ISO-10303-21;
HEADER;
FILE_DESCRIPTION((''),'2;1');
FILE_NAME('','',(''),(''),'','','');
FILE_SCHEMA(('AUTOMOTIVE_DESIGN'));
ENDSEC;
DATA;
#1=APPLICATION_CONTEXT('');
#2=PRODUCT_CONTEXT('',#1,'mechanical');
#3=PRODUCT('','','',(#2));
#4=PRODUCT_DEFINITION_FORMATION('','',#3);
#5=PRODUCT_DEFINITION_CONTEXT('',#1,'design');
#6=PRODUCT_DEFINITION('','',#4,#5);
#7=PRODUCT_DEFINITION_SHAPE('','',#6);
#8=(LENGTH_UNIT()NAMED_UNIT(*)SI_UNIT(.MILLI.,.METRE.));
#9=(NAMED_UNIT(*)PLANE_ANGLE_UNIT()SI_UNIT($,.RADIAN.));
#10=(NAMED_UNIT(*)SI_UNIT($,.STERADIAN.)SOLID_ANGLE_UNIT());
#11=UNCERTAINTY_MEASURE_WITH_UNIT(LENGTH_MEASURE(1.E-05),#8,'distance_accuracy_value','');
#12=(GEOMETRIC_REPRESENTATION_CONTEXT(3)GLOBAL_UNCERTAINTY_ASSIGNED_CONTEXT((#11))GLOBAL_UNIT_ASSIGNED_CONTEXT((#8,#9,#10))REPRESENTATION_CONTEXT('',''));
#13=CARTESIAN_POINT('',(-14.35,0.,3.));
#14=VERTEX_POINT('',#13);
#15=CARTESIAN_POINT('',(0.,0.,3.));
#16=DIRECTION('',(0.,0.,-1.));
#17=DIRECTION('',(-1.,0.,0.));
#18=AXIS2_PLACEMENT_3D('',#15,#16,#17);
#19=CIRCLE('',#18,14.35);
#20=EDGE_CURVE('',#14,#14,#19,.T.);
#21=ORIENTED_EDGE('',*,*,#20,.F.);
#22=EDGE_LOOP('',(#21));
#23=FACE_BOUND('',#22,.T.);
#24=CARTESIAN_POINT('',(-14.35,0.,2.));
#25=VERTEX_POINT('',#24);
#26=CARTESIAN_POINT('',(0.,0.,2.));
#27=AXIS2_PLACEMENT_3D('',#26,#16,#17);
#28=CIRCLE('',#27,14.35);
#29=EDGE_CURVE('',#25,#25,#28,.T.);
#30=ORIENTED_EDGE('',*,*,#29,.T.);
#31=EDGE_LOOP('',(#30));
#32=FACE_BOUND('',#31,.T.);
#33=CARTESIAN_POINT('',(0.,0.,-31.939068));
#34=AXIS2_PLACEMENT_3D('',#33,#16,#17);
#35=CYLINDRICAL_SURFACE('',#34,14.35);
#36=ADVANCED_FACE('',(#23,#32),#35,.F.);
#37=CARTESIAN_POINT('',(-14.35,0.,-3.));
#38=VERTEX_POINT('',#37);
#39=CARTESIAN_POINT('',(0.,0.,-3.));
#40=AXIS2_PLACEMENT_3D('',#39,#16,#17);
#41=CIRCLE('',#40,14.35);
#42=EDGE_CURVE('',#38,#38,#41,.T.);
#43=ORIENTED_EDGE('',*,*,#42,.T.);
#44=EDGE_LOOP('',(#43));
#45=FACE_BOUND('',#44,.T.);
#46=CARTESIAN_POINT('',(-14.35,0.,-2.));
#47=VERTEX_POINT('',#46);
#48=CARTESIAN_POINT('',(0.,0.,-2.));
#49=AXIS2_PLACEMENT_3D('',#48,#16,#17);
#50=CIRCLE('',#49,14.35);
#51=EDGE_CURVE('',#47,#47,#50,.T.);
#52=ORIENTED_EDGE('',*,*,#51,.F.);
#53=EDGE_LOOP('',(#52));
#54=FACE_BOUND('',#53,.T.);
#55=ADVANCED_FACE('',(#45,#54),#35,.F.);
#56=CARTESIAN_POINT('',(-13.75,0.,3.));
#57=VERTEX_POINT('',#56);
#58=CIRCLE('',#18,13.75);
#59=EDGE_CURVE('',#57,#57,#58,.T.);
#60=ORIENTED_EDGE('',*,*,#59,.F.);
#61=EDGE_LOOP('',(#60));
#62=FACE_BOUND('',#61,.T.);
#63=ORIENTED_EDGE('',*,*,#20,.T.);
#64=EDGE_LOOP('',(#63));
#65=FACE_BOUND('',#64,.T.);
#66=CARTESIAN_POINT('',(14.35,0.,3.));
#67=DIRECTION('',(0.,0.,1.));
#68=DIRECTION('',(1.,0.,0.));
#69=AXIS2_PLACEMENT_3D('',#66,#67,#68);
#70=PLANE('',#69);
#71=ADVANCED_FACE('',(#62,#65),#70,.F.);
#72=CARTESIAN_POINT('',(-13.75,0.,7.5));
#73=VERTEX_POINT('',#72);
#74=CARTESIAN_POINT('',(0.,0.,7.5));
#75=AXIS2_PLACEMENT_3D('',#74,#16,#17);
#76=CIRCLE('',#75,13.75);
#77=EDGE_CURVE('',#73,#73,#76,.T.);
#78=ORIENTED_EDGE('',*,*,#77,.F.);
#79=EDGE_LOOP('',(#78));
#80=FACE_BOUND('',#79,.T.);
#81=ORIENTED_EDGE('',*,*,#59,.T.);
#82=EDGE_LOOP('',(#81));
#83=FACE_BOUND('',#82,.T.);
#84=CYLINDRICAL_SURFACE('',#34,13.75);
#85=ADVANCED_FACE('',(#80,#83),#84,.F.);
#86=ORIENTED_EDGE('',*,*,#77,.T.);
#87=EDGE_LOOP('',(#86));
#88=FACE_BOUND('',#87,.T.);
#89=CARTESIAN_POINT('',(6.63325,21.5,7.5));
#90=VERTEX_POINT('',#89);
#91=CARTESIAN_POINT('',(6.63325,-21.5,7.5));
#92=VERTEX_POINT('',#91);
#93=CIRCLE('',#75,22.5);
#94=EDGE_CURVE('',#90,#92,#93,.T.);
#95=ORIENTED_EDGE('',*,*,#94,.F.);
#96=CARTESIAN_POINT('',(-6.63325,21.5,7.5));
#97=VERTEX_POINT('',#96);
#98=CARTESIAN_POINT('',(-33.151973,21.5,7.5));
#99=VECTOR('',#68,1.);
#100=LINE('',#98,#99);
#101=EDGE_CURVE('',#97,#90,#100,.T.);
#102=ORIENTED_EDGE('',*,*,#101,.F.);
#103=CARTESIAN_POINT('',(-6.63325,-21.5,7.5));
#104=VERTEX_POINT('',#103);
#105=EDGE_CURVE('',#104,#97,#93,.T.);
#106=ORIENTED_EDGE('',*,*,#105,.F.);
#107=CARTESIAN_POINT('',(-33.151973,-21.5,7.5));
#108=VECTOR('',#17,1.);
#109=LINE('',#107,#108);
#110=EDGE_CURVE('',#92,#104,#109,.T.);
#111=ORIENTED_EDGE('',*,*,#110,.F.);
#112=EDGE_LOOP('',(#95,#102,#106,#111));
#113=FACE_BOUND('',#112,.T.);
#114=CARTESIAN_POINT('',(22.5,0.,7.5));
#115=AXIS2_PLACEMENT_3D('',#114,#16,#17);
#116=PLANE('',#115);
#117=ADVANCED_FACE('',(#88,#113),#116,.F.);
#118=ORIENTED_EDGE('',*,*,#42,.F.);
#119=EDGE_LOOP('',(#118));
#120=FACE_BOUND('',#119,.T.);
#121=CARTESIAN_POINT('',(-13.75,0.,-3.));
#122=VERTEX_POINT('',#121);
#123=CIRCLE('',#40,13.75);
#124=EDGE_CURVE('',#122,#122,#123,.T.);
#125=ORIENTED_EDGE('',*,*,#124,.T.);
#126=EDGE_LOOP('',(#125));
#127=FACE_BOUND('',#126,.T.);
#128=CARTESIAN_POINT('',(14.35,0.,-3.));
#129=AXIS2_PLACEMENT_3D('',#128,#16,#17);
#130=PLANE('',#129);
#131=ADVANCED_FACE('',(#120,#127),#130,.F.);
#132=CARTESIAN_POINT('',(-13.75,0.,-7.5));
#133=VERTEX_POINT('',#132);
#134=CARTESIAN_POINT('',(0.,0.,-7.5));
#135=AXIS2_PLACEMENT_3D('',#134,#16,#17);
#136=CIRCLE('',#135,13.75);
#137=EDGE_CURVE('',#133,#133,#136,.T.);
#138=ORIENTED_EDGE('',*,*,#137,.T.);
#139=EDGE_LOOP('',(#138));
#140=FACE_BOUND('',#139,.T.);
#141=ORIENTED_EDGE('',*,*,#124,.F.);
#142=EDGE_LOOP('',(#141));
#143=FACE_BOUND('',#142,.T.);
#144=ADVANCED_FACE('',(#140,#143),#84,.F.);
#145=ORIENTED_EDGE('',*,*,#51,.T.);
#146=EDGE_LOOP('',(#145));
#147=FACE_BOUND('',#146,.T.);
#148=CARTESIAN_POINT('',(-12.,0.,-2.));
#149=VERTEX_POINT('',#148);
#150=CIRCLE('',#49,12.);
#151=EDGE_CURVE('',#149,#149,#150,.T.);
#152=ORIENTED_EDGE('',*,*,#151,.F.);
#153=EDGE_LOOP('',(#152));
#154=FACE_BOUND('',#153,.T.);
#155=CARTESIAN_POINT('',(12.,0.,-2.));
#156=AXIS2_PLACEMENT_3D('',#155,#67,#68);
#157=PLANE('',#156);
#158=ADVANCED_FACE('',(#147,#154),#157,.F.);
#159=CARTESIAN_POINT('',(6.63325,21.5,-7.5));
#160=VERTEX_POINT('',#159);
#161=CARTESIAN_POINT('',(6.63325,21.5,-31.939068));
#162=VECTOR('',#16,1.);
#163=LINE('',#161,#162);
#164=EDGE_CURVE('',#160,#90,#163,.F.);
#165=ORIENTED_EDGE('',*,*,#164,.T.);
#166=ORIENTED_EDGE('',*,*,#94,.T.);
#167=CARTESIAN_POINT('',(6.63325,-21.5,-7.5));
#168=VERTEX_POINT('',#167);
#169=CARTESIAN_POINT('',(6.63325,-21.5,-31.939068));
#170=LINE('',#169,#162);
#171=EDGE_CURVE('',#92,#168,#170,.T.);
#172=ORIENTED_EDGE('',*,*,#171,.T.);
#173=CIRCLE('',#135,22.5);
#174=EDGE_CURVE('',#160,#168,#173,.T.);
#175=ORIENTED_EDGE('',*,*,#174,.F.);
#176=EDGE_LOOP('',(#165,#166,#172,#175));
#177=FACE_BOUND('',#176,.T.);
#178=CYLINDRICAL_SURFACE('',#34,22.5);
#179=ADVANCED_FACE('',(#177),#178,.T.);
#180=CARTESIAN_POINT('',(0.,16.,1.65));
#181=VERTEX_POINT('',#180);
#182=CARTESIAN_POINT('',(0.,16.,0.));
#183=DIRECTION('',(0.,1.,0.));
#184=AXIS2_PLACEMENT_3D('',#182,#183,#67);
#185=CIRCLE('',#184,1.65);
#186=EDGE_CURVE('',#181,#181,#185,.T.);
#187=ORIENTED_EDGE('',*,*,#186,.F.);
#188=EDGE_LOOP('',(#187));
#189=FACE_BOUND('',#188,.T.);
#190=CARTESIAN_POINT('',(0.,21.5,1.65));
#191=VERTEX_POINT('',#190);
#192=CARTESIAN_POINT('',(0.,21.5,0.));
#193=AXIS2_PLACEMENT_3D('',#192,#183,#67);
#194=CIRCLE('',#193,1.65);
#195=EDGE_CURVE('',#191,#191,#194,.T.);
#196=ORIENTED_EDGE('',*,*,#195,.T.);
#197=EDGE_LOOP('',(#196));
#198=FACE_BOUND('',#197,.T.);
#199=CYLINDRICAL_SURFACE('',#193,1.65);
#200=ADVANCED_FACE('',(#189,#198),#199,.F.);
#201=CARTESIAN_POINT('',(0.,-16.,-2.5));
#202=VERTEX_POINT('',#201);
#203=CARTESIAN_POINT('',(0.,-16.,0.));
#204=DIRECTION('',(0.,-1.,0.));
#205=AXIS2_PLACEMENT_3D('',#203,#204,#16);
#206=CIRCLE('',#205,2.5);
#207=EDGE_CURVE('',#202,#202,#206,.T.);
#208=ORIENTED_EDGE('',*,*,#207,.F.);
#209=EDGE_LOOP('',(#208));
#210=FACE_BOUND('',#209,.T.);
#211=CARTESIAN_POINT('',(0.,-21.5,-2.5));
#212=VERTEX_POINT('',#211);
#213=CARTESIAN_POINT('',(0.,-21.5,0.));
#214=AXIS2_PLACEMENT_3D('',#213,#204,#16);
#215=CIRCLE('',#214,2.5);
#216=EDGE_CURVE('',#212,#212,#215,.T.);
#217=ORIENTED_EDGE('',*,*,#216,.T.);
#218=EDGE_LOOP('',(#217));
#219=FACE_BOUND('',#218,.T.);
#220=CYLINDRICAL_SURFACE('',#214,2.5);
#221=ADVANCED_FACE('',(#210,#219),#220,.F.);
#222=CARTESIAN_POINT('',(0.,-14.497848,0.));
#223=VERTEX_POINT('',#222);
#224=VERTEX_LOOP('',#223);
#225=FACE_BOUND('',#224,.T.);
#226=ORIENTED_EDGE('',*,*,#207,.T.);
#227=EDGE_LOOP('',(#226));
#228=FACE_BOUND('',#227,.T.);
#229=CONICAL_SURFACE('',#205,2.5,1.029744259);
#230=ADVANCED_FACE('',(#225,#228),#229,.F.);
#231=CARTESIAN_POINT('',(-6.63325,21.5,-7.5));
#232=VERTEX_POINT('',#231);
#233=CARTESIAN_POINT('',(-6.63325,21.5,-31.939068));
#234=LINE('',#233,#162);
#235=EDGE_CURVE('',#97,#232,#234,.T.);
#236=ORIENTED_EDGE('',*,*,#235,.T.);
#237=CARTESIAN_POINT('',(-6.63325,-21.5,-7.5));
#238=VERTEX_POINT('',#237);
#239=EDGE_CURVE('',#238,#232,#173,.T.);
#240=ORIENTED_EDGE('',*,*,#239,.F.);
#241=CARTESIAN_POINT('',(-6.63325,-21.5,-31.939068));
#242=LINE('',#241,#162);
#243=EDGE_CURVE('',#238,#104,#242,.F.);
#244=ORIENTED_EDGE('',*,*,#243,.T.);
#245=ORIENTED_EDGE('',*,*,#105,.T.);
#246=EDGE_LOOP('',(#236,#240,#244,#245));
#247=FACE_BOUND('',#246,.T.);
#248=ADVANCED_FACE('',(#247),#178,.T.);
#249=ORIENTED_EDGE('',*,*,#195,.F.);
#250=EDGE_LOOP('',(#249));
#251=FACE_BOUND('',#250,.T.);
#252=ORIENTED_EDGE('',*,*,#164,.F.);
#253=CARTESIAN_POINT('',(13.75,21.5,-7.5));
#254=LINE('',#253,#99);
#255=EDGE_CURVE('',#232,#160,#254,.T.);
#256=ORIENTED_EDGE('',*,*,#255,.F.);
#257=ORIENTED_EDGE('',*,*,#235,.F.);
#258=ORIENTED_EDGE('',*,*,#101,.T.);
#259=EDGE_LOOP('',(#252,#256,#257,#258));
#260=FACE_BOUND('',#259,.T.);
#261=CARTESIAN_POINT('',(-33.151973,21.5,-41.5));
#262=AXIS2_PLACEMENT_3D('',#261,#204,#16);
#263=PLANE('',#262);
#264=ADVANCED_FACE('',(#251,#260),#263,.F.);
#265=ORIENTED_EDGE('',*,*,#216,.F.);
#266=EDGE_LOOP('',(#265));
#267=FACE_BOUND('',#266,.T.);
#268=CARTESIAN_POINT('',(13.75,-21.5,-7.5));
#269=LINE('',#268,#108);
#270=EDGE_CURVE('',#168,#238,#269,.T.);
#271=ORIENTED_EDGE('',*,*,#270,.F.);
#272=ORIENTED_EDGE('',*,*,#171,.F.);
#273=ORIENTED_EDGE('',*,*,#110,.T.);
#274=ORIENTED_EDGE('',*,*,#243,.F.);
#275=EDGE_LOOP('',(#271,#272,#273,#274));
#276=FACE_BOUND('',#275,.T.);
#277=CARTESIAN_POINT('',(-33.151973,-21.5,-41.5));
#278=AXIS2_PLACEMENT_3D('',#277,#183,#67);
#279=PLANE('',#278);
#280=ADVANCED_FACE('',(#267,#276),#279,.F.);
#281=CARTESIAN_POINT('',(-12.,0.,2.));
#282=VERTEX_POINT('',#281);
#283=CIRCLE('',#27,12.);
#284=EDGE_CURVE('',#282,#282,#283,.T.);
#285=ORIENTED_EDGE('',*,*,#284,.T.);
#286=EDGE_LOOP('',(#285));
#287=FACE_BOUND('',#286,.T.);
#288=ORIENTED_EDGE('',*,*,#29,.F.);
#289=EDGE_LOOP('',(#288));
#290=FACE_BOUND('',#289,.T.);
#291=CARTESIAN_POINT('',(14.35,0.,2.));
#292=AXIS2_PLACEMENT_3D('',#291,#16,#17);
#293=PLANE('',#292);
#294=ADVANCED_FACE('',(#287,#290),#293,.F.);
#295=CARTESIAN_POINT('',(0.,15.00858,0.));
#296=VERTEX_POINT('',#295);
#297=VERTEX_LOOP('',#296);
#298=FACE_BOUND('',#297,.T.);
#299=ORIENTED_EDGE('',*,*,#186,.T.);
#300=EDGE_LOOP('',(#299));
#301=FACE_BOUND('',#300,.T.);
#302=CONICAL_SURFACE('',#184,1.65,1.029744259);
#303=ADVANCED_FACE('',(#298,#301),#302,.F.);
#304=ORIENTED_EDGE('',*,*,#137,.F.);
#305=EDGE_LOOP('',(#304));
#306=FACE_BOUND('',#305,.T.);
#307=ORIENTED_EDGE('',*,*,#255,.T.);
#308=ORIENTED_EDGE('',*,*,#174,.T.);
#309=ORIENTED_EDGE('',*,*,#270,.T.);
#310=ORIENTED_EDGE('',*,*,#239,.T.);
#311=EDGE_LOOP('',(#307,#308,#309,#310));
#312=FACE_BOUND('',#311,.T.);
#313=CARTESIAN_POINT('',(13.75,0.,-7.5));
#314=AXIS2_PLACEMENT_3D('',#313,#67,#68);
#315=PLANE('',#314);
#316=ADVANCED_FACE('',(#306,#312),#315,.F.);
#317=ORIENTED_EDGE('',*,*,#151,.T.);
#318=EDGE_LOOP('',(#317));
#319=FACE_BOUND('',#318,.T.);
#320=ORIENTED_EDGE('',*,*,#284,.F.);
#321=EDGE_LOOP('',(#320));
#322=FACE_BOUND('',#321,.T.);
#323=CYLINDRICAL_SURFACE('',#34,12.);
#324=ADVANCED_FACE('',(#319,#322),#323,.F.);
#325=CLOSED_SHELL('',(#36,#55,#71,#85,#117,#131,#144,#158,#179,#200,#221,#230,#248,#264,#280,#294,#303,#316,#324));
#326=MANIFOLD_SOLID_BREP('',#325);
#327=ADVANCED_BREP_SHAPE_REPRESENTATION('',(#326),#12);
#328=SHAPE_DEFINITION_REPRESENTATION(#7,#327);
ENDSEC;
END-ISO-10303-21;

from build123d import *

# Parameters (mm, degrees)
SKETCH_2_W             = 64.02174429
SKETCH_2_H             = 9.248919907
CUT_EXTRUDE_1_DEPTH    = 49
HOLE_WIZARD_M4_2_D     = 3.3
HOLE_WIZARD_M4_2_DEPTH = 5.5
HOLE_WIZARD_M4_2_TIP   = 0.991420021
HOLE_WIZARD_M6_2_D     = 5
HOLE_WIZARD_M6_2_DEPTH = 5.5
HOLE_WIZARD_M6_2_TIP   = 1.502151548


with BuildPart() as part:
    # 草图1 → 旋转1 (revolve)
    with BuildSketch(Plane(origin=(0, 0, 0), x_dir=(1, 0, 0), z_dir=(0, 1, 0)), mode=Mode.PRIVATE) as revolve_1_sk:
        Polygon((22.5, 7.5), (22.5, -7.5), (13.75, -7.5), (13.75, -3), (14.35, -3), (14.35, -2), (12, -2), (12, 2), (14.35, 2), (14.35, 3), (13.75, 3), (13.75, 7.5), align=None)
    revolve(revolve_1_sk.sketch.rotate(Axis((0, 0, -31.9390681), (0, 0, 1)), 180), axis=Axis((0, 0, -31.9390681), (0, 0, 1)))  # turned: the seam where the file's is

    # 草图2 → 切除-拉伸1 (cut)
    with BuildSketch(Plane.XY.offset(7.5)):
        with Locations((-1.141100508, 26.124459954)):
            Rectangle(SKETCH_2_W, SKETCH_2_H)
        with Locations((-1.141100508, -26.124459954)):
            Rectangle(SKETCH_2_W, SKETCH_2_H)
    extrude(amount=-CUT_EXTRUDE_1_DEPTH, mode=Mode.SUBTRACT)

    # M4 螺纹孔2
    with Locations(Plane(origin=(0, 21.5, 0), x_dir=(1, 0, 0), z_dir=(0, 1, 0))):
        with Locations((0, 0)):
            Hole(HOLE_WIZARD_M4_2_D / 2, depth=HOLE_WIZARD_M4_2_DEPTH)
            with Locations((0, 0, -(HOLE_WIZARD_M4_2_DEPTH + HOLE_WIZARD_M4_2_TIP / 2))):  # 118° drill point
                Cone(0, HOLE_WIZARD_M4_2_D / 2, HOLE_WIZARD_M4_2_TIP, mode=Mode.SUBTRACT)

    # M6 螺纹孔2
    with Locations(Plane(origin=(0, -21.5, 0), x_dir=(-1, 0, 0), z_dir=(0, -1, 0))):
        with Locations((0, 0)):
            Hole(HOLE_WIZARD_M6_2_D / 2, depth=HOLE_WIZARD_M6_2_DEPTH)
            with Locations((0, 0, -(HOLE_WIZARD_M6_2_DEPTH + HOLE_WIZARD_M6_2_TIP / 2))):  # 118° drill point
                Cone(0, HOLE_WIZARD_M6_2_D / 2, HOLE_WIZARD_M6_2_TIP, mode=Mode.SUBTRACT)


solid = part.part
